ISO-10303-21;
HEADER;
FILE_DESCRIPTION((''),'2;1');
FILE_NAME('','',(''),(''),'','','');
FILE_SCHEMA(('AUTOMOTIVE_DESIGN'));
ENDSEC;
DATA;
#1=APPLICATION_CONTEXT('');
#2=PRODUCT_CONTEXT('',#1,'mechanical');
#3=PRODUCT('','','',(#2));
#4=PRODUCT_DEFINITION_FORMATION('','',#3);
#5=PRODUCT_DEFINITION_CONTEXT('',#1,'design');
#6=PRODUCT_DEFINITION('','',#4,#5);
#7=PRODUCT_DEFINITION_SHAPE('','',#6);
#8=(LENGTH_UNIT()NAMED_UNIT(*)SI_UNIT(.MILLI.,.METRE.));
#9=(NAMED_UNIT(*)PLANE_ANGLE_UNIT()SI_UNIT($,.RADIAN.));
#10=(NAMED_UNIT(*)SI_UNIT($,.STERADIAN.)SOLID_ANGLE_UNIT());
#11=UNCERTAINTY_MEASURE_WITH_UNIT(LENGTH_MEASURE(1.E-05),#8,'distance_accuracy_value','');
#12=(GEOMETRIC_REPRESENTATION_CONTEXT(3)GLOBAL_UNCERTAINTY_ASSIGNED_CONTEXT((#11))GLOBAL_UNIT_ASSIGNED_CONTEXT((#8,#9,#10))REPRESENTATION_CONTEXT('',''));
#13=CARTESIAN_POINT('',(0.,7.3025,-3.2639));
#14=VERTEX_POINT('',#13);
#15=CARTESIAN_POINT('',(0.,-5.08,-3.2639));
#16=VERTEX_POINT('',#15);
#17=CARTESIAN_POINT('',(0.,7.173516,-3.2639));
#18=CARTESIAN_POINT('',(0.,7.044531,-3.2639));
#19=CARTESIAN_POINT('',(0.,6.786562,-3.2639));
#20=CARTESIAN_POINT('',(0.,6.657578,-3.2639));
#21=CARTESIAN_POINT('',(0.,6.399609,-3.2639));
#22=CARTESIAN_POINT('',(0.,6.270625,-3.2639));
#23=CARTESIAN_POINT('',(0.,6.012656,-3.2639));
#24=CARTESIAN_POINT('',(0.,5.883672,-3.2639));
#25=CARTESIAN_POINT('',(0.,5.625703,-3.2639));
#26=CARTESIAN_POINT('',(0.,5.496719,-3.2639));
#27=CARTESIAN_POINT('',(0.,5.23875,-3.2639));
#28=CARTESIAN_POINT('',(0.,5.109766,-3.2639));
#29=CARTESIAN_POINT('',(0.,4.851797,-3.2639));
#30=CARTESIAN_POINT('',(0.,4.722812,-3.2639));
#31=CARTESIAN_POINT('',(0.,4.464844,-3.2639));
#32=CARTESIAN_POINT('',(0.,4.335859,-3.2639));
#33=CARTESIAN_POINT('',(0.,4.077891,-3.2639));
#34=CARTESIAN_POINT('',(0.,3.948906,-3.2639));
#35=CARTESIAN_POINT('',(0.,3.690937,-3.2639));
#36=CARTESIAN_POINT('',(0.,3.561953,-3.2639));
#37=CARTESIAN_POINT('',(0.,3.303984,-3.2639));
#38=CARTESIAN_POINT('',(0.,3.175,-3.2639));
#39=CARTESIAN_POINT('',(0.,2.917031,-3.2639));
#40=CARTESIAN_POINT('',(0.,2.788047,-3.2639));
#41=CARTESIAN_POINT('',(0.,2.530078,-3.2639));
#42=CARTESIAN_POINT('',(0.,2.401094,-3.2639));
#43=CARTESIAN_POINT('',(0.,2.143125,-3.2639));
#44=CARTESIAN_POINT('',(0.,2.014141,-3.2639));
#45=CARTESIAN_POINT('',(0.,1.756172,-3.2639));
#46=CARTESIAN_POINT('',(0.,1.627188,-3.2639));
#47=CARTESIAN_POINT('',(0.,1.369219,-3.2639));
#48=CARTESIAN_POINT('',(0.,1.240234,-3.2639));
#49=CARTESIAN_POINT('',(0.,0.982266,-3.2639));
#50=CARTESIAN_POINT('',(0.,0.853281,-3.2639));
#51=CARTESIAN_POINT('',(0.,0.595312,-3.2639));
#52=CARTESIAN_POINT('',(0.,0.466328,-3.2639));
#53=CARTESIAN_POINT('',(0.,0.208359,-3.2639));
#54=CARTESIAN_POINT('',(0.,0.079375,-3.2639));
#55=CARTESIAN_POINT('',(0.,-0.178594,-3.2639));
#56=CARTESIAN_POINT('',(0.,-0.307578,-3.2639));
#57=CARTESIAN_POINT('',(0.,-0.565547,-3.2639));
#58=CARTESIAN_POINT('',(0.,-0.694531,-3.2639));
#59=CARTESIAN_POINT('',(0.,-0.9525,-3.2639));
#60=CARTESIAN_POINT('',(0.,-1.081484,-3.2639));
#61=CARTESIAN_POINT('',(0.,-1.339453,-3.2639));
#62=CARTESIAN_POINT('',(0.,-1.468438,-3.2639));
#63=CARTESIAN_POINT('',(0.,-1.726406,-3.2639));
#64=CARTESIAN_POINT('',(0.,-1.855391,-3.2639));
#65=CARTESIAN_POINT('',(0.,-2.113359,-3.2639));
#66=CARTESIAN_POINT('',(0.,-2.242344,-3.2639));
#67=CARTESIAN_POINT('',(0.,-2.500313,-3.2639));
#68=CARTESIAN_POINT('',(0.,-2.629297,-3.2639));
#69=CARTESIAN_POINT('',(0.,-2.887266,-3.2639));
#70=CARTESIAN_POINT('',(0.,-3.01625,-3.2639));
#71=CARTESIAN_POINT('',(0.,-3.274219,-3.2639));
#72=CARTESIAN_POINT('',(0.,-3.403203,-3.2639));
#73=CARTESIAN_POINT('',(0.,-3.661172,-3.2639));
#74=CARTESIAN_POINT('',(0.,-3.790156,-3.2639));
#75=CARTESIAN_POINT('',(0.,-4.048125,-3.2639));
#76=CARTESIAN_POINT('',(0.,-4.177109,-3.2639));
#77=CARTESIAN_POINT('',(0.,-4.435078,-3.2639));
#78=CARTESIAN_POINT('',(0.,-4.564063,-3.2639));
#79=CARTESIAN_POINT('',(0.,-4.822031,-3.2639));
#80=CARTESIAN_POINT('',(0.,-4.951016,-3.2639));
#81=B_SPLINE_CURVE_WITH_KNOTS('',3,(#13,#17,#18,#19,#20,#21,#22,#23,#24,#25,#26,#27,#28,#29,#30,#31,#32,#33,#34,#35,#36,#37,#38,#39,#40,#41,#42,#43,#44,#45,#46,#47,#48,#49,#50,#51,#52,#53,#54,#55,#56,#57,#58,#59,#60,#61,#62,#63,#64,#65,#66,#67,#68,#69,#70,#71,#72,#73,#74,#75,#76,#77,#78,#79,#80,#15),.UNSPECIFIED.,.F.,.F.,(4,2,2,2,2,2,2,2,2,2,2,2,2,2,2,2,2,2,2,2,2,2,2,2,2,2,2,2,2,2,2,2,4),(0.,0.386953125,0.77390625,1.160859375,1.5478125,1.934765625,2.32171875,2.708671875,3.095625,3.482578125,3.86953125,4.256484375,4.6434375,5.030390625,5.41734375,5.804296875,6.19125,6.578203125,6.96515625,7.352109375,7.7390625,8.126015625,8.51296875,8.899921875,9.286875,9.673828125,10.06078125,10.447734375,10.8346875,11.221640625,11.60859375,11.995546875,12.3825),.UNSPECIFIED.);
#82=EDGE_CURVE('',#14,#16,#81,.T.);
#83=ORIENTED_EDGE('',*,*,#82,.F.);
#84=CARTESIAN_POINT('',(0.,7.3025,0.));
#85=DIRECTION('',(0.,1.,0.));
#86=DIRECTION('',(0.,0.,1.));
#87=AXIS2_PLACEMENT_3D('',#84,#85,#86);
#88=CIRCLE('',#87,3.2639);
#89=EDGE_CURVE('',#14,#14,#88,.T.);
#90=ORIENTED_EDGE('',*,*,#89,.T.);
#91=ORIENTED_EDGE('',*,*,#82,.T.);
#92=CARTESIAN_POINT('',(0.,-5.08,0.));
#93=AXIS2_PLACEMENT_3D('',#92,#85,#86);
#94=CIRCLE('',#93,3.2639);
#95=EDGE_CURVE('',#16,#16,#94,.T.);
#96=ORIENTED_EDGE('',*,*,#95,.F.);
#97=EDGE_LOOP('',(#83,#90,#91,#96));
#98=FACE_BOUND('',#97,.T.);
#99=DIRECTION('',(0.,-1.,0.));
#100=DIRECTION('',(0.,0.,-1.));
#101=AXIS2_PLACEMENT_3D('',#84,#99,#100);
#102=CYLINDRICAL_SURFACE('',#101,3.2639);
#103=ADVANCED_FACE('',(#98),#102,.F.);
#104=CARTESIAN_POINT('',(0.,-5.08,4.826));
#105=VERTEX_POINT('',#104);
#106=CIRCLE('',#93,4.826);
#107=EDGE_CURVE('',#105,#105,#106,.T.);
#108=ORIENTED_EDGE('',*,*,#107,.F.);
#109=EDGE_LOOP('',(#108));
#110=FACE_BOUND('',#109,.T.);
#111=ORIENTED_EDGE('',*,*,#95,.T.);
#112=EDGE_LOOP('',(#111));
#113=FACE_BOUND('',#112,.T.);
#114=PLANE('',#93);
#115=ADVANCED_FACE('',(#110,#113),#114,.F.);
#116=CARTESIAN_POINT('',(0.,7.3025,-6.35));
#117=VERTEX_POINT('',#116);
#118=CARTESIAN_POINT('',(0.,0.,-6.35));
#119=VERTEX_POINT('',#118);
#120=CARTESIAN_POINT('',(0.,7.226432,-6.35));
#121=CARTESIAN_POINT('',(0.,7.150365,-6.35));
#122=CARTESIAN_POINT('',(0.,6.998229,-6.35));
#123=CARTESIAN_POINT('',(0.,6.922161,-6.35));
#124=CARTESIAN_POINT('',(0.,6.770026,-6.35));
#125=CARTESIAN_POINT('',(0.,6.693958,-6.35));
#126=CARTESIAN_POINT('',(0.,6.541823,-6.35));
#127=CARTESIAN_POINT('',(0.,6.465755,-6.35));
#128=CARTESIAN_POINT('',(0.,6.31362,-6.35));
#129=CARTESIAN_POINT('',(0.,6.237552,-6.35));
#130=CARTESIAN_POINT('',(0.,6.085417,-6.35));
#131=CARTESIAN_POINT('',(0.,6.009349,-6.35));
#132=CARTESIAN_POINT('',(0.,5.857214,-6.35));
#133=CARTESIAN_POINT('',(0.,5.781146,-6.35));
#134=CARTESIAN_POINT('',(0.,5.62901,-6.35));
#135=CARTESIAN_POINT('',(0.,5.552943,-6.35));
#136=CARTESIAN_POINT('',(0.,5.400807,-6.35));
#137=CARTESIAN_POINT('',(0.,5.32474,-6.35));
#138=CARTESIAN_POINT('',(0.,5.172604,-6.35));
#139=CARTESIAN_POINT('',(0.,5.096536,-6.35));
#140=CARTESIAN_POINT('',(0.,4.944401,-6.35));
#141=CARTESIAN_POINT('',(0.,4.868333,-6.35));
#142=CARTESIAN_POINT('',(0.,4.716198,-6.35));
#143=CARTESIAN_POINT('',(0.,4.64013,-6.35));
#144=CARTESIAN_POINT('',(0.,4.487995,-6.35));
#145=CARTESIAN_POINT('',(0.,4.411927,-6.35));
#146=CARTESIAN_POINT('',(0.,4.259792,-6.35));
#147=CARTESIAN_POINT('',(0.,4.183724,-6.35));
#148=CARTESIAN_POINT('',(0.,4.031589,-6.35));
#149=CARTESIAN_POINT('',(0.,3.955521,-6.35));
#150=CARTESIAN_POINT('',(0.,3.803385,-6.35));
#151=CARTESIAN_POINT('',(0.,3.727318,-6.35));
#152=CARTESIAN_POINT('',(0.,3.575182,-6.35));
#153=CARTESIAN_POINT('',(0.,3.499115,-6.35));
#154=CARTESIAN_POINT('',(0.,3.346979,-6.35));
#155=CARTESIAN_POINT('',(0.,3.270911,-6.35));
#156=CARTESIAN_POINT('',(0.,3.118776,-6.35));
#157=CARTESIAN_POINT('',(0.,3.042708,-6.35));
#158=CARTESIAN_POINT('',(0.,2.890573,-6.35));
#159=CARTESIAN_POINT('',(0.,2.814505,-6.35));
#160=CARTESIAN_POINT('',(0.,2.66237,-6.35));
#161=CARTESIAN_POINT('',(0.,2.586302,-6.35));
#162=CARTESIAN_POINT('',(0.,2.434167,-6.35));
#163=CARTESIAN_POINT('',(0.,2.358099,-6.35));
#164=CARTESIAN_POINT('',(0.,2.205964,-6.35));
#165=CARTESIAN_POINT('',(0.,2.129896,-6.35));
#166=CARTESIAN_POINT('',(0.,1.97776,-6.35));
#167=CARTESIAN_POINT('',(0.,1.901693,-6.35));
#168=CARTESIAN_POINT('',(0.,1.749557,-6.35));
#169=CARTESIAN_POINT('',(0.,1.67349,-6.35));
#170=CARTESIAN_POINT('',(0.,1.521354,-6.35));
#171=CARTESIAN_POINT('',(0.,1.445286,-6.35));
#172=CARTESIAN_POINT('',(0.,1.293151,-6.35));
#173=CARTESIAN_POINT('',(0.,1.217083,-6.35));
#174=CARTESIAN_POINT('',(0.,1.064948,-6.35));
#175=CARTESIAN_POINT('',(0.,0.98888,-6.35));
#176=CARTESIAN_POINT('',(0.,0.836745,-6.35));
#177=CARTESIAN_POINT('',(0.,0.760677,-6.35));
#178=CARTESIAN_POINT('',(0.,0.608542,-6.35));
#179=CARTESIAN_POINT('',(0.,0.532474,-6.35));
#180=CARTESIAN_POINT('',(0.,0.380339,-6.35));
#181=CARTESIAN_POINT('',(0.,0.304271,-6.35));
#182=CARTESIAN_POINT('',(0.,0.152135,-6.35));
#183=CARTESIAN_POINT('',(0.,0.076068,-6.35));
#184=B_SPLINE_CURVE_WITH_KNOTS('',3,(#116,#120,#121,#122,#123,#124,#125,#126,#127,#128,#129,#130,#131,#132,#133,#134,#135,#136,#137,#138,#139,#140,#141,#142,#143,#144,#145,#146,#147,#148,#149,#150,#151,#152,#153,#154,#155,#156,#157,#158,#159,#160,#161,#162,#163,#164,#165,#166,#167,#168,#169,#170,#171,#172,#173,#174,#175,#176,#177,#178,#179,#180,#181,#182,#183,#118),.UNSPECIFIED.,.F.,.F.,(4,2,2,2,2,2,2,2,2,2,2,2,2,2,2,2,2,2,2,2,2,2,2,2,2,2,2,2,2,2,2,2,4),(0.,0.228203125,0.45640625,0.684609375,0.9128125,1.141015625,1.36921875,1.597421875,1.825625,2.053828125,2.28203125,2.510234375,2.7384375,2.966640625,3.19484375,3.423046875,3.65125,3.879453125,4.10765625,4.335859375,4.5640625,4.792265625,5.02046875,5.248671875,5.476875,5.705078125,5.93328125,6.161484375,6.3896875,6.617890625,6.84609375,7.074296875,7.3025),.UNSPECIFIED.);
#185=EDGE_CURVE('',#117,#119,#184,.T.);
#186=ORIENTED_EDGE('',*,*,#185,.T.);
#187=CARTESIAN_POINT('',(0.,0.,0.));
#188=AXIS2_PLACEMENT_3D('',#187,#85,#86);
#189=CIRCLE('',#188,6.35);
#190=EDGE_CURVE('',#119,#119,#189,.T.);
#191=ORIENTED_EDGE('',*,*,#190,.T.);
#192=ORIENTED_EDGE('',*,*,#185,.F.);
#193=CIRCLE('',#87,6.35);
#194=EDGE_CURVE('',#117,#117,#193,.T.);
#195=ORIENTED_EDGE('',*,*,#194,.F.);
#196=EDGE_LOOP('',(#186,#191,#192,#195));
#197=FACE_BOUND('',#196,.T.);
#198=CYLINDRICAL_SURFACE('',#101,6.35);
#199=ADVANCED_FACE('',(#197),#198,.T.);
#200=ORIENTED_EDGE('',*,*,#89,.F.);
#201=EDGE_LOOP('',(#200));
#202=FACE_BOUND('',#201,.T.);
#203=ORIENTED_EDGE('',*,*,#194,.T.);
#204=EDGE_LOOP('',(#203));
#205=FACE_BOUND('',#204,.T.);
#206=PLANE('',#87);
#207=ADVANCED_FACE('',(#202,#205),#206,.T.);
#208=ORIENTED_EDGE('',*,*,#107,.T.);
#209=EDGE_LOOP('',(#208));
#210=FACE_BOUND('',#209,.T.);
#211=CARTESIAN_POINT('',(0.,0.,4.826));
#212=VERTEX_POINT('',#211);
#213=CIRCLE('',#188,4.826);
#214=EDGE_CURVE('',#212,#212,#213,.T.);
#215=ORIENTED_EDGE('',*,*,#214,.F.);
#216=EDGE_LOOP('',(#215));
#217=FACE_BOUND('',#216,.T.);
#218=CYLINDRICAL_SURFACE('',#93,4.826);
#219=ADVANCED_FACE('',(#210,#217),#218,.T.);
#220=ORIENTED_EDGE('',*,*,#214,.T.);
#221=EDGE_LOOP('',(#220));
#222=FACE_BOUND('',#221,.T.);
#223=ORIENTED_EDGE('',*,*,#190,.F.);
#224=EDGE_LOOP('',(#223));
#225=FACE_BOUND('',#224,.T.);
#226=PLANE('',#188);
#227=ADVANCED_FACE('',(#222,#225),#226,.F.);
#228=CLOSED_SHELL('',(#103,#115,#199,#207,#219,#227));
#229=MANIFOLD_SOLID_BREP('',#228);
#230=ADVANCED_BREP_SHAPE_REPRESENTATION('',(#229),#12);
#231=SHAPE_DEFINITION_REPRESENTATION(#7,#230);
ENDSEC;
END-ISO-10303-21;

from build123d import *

# Parameters (mm, degrees)
SKETCH1_R           = 6.35
SKETCH1_R_2         = 3.2639
BOSS_EXTRUDE1_DEPTH = 7.3025
BOSS_EXTRUDE2_START = -5.08
SKETCH1_3_R         = 4.826
SKETCH1_3_R_2       = 3.2639
BOSS_EXTRUDE2_DEPTH = 5.08


with BuildPart() as part:
    # Sketch1 → Boss-Extrude1 (new body)
    with BuildSketch(Plane(origin=(0, 0, 0), x_dir=(1, 0, 0), z_dir=(0, 1, 0))):
        Circle(SKETCH1_R)
        Circle(SKETCH1_R_2, mode=Mode.SUBTRACT)
    extrude(amount=BOSS_EXTRUDE1_DEPTH)

    # Sketch1<3> → Boss-Extrude2 (add)
    with BuildSketch(Plane(origin=(0, 0, 0), x_dir=(1, 0, 0), z_dir=(0, 1, 0)).offset(BOSS_EXTRUDE2_START)):
        Circle(SKETCH1_3_R)
        Circle(SKETCH1_3_R_2, mode=Mode.SUBTRACT)
    extrude(amount=BOSS_EXTRUDE2_DEPTH)


solid = part.part
